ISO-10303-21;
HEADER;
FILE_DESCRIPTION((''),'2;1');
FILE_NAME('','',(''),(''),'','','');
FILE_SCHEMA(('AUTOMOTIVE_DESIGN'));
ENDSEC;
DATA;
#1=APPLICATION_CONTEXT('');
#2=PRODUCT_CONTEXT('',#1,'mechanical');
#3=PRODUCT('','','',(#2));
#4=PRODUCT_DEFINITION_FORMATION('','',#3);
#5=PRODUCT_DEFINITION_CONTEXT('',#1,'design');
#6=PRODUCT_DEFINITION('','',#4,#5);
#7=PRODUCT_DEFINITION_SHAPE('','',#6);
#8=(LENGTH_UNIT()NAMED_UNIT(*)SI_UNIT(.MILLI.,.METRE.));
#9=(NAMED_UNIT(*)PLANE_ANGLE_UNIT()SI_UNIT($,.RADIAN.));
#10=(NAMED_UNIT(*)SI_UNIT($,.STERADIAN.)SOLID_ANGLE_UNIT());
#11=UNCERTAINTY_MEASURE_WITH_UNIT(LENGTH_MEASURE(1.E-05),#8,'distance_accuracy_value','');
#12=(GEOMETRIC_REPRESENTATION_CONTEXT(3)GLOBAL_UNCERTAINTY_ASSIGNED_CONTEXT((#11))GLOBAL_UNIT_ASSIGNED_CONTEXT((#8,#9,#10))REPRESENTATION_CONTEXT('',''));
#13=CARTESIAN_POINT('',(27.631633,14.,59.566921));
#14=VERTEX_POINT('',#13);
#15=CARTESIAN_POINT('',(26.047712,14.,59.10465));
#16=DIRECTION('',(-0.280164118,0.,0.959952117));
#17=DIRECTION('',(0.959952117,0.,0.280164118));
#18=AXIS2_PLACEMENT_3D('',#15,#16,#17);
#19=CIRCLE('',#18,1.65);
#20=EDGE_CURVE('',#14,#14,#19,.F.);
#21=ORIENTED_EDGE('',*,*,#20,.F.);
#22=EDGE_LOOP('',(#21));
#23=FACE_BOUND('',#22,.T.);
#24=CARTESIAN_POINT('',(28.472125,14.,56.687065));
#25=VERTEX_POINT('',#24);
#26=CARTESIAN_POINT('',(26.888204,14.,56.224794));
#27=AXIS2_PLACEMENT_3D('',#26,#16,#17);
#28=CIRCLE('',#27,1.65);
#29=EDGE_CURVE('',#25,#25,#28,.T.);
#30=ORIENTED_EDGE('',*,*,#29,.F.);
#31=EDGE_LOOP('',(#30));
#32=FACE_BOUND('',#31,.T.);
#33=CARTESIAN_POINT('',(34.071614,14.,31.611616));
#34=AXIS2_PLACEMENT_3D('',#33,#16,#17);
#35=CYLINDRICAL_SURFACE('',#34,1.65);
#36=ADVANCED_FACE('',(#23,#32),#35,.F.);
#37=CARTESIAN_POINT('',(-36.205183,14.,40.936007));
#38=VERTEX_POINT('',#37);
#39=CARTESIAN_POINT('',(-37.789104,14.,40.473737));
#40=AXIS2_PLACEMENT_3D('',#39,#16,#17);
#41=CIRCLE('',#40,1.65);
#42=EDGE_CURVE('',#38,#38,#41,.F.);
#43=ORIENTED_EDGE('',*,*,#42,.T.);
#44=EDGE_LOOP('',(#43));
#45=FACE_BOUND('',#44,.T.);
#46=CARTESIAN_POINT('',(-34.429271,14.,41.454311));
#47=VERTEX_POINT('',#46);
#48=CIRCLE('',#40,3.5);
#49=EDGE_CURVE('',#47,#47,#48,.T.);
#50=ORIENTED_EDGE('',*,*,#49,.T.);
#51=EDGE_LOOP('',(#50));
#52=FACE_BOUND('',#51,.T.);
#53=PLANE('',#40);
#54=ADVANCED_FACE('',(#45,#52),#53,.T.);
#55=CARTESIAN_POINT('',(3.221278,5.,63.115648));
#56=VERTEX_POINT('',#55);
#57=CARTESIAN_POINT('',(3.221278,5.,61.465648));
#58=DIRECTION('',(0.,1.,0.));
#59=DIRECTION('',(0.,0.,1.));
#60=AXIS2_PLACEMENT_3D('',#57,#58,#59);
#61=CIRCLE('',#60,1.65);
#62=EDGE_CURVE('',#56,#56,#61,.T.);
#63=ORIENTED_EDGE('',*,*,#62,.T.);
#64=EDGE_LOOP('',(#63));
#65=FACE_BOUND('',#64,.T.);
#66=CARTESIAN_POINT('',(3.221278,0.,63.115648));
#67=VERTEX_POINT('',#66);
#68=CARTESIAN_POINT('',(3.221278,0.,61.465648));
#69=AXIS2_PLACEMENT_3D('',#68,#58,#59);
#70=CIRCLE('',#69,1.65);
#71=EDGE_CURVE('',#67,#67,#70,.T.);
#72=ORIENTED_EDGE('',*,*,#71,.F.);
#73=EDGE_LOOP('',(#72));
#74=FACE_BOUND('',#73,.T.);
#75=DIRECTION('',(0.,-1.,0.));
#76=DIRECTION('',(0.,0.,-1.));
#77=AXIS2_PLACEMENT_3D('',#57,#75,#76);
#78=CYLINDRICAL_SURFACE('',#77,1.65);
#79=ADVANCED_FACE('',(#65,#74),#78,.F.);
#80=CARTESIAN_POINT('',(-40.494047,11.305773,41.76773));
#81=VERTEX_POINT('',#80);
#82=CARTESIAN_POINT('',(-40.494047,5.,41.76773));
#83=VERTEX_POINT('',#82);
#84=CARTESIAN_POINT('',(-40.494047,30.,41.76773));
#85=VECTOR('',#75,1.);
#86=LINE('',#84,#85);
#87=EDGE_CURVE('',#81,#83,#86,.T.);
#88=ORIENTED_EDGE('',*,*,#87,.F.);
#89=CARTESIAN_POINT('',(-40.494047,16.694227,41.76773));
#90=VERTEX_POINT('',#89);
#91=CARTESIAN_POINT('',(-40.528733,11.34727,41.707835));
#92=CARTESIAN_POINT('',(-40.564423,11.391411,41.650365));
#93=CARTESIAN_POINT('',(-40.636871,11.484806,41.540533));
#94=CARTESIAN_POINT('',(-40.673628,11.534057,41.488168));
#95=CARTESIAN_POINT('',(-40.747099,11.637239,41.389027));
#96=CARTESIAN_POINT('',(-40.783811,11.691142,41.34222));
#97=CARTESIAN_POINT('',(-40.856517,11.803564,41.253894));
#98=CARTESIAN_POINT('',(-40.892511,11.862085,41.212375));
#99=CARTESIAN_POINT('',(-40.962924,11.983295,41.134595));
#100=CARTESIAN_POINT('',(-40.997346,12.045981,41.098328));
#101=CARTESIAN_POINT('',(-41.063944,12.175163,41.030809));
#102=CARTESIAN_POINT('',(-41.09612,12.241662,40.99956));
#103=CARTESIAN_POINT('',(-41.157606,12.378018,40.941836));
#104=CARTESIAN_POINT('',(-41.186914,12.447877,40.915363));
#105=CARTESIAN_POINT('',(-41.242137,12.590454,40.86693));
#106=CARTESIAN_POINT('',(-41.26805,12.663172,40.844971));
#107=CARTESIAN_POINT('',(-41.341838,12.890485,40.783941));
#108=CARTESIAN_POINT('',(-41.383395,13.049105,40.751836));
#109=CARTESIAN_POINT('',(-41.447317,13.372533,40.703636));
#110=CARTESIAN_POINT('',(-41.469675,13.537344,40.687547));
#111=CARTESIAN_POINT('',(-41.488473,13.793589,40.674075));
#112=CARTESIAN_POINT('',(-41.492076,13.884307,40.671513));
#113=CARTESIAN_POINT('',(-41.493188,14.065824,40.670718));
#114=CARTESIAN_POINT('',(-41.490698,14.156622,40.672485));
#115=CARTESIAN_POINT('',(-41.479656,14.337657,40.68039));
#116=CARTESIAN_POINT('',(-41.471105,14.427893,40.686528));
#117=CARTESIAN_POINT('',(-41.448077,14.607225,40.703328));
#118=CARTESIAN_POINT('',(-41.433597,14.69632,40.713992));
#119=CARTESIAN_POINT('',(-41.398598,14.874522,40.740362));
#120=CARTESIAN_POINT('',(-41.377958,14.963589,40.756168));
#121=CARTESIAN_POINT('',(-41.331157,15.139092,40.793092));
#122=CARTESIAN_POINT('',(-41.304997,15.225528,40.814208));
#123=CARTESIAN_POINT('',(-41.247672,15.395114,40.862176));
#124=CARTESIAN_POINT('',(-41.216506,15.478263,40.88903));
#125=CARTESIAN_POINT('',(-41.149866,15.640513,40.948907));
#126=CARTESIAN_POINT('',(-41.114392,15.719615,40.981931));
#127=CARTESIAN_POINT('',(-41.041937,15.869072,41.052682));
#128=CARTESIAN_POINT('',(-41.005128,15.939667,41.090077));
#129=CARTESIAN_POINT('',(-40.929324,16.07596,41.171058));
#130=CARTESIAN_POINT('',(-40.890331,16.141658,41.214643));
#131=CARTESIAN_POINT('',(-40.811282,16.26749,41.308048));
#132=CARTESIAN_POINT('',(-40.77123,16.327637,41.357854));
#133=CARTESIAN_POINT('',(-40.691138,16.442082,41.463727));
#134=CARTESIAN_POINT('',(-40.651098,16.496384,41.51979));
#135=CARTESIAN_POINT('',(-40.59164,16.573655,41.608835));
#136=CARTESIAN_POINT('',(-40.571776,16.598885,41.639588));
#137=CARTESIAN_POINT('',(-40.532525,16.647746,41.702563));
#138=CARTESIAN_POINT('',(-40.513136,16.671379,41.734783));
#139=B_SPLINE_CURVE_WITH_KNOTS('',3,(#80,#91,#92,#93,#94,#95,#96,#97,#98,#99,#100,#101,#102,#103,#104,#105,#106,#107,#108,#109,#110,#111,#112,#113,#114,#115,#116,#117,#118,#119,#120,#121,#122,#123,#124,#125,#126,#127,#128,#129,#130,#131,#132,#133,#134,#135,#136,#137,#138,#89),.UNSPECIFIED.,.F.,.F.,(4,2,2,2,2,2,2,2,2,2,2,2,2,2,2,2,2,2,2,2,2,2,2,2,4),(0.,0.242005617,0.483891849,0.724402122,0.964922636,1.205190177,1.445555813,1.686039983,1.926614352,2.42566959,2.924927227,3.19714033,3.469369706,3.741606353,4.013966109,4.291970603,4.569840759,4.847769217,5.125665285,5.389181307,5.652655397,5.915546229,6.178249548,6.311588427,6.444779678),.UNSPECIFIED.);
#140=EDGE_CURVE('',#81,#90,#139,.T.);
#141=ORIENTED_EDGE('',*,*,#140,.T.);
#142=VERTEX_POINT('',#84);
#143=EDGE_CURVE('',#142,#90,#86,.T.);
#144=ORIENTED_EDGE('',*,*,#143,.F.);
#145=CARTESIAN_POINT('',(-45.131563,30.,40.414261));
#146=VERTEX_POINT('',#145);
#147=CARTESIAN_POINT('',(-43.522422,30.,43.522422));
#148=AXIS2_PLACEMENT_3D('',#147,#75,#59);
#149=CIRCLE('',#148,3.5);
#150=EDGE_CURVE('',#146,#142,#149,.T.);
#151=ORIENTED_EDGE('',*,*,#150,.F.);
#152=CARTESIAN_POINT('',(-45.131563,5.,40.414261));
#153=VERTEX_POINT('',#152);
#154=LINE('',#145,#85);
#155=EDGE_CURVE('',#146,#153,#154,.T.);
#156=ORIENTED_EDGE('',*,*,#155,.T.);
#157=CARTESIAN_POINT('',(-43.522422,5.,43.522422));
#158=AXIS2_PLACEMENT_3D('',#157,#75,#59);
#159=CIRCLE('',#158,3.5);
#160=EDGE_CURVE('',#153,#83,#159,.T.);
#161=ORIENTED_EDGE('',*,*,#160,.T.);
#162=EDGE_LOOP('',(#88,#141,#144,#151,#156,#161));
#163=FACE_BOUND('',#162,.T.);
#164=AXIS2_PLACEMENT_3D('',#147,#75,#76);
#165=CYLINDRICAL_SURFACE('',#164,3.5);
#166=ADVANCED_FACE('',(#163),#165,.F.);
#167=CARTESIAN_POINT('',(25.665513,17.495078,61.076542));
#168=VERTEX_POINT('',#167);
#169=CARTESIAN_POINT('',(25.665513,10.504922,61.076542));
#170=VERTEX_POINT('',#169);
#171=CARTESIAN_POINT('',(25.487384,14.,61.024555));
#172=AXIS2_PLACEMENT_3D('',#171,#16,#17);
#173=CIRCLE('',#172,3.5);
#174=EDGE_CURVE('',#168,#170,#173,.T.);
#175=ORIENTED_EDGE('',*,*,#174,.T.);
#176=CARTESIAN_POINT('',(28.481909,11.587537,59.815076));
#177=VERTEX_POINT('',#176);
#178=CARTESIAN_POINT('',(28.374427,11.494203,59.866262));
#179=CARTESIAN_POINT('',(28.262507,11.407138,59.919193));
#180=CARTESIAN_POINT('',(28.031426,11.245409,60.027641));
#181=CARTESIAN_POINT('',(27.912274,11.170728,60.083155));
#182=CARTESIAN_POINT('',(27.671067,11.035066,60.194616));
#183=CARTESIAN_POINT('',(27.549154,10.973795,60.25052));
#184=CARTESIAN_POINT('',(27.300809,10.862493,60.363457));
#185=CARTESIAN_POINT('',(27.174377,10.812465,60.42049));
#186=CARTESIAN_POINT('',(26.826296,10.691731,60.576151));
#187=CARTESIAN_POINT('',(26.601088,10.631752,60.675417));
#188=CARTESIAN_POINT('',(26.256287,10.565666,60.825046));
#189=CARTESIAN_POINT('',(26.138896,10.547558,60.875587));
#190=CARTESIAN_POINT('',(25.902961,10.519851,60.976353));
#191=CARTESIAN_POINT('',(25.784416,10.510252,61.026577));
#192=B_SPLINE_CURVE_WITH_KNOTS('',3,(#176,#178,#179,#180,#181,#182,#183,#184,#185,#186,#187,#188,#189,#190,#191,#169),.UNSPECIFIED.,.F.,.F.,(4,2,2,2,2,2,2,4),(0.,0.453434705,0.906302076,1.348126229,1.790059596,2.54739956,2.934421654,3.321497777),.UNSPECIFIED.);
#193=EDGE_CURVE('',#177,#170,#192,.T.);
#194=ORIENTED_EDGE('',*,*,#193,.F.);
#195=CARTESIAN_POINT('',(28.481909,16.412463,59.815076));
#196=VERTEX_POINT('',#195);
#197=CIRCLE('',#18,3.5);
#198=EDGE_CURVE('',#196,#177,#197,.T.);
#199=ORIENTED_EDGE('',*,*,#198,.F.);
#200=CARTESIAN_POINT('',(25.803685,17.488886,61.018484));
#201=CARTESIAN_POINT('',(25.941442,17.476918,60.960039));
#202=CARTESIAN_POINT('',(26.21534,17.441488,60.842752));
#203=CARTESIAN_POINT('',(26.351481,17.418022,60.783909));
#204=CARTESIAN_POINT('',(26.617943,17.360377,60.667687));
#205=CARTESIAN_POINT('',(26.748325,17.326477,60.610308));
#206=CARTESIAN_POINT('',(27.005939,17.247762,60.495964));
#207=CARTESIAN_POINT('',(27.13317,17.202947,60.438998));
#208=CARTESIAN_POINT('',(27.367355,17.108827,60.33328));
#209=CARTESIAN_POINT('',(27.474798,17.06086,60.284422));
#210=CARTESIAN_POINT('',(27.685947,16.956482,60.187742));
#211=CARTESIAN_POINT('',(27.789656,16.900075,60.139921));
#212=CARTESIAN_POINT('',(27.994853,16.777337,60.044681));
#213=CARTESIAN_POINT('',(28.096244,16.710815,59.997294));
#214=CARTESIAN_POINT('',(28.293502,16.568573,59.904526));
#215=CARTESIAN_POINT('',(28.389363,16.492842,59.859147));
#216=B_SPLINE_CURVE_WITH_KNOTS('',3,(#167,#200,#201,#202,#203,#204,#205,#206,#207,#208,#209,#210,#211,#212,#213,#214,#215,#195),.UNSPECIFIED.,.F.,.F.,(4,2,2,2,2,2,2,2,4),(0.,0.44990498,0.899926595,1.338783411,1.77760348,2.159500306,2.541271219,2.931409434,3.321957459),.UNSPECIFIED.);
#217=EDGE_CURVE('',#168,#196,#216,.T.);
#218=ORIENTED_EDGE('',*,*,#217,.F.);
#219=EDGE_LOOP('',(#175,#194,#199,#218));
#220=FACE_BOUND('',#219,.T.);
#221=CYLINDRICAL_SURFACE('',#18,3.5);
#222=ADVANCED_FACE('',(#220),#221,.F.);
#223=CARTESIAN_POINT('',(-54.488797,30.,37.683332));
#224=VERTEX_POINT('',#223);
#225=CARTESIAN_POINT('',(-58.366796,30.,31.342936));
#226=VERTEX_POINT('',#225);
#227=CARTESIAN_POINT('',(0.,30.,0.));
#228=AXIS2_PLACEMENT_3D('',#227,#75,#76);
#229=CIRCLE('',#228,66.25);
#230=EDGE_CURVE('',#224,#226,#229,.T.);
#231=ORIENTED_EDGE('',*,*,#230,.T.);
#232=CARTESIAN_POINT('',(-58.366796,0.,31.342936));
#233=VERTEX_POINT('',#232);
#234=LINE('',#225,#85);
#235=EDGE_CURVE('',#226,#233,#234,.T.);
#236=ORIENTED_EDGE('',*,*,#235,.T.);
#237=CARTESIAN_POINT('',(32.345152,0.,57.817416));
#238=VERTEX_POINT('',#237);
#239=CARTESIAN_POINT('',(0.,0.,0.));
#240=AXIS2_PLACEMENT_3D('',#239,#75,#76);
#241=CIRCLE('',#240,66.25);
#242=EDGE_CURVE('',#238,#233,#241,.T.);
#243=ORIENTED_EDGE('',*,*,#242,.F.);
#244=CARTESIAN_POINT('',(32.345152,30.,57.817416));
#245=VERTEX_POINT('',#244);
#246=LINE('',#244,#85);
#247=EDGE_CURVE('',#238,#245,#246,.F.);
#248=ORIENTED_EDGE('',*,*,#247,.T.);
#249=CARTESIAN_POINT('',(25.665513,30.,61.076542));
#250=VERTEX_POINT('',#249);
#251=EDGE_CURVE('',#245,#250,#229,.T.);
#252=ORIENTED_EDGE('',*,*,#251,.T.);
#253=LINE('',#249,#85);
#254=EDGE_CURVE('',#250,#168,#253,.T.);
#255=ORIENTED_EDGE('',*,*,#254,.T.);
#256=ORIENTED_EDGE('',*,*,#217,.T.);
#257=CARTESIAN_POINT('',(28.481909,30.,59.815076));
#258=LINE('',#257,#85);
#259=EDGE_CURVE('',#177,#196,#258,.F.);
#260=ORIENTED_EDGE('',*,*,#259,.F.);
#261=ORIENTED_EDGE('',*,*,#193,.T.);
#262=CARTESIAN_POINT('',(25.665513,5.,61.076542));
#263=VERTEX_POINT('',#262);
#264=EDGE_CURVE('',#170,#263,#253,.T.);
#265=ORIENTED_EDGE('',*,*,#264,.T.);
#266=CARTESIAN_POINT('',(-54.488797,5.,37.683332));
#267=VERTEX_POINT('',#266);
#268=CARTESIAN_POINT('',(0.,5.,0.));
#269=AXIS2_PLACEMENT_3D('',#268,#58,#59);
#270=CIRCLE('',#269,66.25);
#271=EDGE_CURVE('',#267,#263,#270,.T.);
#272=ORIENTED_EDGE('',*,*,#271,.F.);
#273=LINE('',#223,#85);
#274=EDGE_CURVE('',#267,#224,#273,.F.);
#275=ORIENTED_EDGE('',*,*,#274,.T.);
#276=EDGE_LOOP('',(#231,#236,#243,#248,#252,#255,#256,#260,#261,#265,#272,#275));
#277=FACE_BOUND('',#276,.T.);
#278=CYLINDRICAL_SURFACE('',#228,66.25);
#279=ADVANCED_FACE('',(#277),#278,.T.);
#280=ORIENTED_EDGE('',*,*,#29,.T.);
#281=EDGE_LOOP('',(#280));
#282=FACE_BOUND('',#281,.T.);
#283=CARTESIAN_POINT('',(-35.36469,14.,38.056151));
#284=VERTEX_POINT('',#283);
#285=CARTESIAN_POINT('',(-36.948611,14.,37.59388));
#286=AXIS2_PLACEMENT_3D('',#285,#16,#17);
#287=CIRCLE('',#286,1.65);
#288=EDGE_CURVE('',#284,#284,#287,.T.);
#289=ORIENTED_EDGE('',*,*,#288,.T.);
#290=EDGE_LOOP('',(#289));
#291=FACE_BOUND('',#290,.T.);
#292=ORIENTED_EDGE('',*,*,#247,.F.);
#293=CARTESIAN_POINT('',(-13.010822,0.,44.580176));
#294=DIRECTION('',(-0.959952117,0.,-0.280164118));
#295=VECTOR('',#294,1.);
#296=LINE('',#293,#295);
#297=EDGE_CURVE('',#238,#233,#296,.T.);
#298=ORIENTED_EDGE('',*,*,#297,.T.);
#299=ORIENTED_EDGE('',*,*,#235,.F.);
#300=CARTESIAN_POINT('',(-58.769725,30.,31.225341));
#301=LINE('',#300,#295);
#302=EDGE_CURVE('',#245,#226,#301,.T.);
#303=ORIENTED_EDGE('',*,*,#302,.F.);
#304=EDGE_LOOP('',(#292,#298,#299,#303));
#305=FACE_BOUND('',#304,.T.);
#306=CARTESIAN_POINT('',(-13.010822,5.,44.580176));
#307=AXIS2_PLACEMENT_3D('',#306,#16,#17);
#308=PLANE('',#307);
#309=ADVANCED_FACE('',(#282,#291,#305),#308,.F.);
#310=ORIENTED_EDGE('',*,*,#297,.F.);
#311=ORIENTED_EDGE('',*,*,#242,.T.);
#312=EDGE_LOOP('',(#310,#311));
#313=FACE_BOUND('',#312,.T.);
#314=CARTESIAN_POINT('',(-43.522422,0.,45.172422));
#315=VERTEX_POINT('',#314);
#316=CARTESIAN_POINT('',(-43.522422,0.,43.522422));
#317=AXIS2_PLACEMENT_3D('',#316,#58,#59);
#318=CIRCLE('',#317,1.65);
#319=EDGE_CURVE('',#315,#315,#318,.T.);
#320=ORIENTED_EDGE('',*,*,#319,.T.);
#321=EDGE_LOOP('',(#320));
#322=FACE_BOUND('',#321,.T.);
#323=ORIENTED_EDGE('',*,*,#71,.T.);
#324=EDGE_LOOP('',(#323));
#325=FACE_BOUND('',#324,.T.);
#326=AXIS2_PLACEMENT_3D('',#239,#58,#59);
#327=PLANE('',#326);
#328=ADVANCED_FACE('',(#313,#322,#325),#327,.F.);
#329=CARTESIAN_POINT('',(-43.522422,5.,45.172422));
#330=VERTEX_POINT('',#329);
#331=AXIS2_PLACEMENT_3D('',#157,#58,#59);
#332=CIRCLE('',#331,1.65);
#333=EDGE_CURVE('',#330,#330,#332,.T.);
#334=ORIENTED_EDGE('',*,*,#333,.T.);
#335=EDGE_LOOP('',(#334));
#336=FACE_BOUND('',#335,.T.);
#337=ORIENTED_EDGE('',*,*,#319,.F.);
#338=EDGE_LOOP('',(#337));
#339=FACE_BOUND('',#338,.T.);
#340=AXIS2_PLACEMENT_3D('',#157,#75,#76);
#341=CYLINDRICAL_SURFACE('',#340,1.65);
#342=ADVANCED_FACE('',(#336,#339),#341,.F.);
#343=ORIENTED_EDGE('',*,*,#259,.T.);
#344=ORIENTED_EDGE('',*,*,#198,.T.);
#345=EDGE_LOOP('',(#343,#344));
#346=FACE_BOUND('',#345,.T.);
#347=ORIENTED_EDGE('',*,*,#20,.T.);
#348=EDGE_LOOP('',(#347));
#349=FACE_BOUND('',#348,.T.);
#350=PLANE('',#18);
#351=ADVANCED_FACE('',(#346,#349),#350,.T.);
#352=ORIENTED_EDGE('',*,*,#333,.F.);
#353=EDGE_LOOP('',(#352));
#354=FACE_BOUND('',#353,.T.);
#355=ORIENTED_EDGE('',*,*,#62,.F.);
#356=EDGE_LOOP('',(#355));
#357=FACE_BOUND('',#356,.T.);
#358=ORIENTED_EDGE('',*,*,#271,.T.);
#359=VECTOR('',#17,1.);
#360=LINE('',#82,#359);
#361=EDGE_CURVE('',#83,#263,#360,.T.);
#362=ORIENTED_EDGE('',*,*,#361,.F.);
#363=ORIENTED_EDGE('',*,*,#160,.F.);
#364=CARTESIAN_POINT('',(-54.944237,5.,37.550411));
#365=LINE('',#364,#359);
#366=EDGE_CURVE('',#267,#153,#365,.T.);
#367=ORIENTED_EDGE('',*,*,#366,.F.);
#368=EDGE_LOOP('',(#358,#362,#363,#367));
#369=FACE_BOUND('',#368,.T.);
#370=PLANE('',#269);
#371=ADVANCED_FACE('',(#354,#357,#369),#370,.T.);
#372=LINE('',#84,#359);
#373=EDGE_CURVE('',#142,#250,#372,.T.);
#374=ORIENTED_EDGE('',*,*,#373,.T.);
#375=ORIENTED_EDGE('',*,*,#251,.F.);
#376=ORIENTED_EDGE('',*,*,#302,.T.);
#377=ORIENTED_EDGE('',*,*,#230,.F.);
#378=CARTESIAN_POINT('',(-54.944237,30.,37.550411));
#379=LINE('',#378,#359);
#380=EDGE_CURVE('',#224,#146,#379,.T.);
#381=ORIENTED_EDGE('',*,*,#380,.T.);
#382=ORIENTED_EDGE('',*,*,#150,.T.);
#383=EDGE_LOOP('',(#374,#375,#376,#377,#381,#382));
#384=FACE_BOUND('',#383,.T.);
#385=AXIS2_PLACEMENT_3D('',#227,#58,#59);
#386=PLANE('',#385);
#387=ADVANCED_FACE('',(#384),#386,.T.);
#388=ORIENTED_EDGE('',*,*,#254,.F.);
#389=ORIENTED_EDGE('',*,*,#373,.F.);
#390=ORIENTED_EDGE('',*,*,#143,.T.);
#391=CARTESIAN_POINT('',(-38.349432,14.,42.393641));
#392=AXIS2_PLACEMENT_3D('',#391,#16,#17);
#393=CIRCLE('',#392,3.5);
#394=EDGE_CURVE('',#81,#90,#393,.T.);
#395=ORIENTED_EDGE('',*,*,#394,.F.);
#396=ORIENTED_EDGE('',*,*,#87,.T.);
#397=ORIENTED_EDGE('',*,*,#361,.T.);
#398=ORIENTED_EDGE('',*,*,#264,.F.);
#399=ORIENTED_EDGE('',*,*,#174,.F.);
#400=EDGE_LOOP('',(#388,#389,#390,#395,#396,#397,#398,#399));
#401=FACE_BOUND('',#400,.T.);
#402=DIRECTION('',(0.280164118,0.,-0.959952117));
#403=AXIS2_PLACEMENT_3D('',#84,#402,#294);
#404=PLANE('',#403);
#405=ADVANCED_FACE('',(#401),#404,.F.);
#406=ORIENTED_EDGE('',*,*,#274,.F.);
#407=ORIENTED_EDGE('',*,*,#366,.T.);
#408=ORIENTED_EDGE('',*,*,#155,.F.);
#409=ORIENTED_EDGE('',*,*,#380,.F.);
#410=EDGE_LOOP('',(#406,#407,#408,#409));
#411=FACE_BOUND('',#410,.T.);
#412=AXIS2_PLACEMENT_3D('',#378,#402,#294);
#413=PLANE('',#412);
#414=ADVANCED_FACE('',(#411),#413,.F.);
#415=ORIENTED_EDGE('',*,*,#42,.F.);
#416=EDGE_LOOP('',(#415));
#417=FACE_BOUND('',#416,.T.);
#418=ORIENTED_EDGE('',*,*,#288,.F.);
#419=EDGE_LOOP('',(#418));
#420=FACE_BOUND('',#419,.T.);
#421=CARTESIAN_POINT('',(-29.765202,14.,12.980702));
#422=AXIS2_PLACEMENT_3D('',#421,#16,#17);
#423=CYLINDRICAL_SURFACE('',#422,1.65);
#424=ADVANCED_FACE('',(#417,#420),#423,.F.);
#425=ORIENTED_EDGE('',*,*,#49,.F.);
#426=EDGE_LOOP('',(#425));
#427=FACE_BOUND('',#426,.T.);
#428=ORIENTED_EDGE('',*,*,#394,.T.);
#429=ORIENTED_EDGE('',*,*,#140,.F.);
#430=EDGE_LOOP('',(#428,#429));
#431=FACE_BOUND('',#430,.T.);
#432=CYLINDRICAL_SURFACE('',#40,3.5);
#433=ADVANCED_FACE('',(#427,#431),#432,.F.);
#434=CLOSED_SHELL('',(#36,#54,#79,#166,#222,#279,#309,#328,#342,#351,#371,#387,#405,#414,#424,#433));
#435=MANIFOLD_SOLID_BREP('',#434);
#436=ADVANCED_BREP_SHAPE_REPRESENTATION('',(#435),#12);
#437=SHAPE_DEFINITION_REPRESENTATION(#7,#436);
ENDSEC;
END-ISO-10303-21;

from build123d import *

# Parameters (mm, degrees)
SKETCH1_R           = 1.65
BOSS_EXTRUDE1_DEPTH = 5
BOSS_EXTRUDE2_DEPTH = 25
SKETCH3_R           = 1.65
CUT_EXTRUDE1_DEPTH  = 31.640005718
SKETCH4_R           = 3.5
CUT_EXTRUDE2_DEPTH  = 2
SKETCH5_R           = 67.5
SKETCH5_R_2         = 66.25
CUT_EXTRUDE3_DEPTH  = 31.0000001


with BuildPart() as part:
    # Sketch1 → Boss-Extrude1 (new body)
    with BuildSketch(Plane(origin=(0, 0, 0), x_dir=(1, 0, 0), z_dir=(0, 1, 0))):
        with BuildLine():
            ThreePointArc((-58.769725256, -31.225340563), (-18.644922026, -63.884813396), (32.748082014, -57.935012077))
            Line((32.748082014, -57.935012077), (-58.769725256, -31.225340563))
        make_face()
        with Locations((-43.522422382, -43.522422382)):
            Circle(SKETCH1_R, mode=Mode.SUBTRACT)
        with Locations((3.221278107, -61.465647864)):
            Circle(SKETCH1_R, mode=Mode.SUBTRACT)
    extrude(amount=BOSS_EXTRUDE1_DEPTH)

    # Sketch2 → Boss-Extrude2 (add)
    with BuildSketch(Plane(origin=(0, 5, 0), x_dir=(1, 0, 0), z_dir=(0, 1, 0))):
        with BuildLine():
            Line((-58.769725256, -31.225340563), (32.748082014, -57.935012077))
            ThreePointArc((32.748082014, -57.935012077), (29.480015366, -59.664320946), (26.120952253, -61.20946294))
            Line((26.120952253, -61.20946294), (-40.494047404, -41.767730103))
            ThreePointArc((-40.494047404, -41.767730103), (-42.54184797, -40.162589972), (-45.131562946, -40.414261085))
            Line((-45.131562946, -40.414261085), (-54.944236671, -37.550410872))
            ThreePointArc((-54.944236671, -37.550410872), (-56.94486731, -34.441030575), (-58.769725256, -31.225340563))
        make_face()
    extrude(amount=BOSS_EXTRUDE2_DEPTH)

    # Sketch3 → Cut-Extrude1 (cut, through all)
    with BuildSketch(Plane(origin=(-14.411642209, 0, 49.379936906), x_dir=(0.959952117, 0, 0.280164118), z_dir=(-0.280164118, 0, 0.959952117))):
        with Locations((41.56355859, 14)):
            Circle(SKETCH3_R)
        with Locations((-24.93644141, 14)):
            Circle(SKETCH3_R)
    extrude(amount=-CUT_EXTRUDE1_DEPTH, mode=Mode.SUBTRACT)

    # Sketch4 → Cut-Extrude2 (cut)
    with BuildSketch(Plane(origin=(-14.411642209, 0, 49.379936906), x_dir=(0.959952117, 0, 0.280164118), z_dir=(-0.280164118, 0, 0.959952117))):
        with Locations((41.56355859, 14)):
            Circle(SKETCH4_R)
        with Locations((-24.93644141, 14)):
            Circle(SKETCH4_R)
    extrude(amount=-CUT_EXTRUDE2_DEPTH, mode=Mode.SUBTRACT)

    # Sketch5 → Cut-Extrude3 (cut, through all)
    with BuildSketch(Plane.XZ):
        Circle(SKETCH5_R)
        Circle(SKETCH5_R_2, mode=Mode.SUBTRACT)
    extrude(amount=-CUT_EXTRUDE3_DEPTH, mode=Mode.SUBTRACT)


solid = part.part
